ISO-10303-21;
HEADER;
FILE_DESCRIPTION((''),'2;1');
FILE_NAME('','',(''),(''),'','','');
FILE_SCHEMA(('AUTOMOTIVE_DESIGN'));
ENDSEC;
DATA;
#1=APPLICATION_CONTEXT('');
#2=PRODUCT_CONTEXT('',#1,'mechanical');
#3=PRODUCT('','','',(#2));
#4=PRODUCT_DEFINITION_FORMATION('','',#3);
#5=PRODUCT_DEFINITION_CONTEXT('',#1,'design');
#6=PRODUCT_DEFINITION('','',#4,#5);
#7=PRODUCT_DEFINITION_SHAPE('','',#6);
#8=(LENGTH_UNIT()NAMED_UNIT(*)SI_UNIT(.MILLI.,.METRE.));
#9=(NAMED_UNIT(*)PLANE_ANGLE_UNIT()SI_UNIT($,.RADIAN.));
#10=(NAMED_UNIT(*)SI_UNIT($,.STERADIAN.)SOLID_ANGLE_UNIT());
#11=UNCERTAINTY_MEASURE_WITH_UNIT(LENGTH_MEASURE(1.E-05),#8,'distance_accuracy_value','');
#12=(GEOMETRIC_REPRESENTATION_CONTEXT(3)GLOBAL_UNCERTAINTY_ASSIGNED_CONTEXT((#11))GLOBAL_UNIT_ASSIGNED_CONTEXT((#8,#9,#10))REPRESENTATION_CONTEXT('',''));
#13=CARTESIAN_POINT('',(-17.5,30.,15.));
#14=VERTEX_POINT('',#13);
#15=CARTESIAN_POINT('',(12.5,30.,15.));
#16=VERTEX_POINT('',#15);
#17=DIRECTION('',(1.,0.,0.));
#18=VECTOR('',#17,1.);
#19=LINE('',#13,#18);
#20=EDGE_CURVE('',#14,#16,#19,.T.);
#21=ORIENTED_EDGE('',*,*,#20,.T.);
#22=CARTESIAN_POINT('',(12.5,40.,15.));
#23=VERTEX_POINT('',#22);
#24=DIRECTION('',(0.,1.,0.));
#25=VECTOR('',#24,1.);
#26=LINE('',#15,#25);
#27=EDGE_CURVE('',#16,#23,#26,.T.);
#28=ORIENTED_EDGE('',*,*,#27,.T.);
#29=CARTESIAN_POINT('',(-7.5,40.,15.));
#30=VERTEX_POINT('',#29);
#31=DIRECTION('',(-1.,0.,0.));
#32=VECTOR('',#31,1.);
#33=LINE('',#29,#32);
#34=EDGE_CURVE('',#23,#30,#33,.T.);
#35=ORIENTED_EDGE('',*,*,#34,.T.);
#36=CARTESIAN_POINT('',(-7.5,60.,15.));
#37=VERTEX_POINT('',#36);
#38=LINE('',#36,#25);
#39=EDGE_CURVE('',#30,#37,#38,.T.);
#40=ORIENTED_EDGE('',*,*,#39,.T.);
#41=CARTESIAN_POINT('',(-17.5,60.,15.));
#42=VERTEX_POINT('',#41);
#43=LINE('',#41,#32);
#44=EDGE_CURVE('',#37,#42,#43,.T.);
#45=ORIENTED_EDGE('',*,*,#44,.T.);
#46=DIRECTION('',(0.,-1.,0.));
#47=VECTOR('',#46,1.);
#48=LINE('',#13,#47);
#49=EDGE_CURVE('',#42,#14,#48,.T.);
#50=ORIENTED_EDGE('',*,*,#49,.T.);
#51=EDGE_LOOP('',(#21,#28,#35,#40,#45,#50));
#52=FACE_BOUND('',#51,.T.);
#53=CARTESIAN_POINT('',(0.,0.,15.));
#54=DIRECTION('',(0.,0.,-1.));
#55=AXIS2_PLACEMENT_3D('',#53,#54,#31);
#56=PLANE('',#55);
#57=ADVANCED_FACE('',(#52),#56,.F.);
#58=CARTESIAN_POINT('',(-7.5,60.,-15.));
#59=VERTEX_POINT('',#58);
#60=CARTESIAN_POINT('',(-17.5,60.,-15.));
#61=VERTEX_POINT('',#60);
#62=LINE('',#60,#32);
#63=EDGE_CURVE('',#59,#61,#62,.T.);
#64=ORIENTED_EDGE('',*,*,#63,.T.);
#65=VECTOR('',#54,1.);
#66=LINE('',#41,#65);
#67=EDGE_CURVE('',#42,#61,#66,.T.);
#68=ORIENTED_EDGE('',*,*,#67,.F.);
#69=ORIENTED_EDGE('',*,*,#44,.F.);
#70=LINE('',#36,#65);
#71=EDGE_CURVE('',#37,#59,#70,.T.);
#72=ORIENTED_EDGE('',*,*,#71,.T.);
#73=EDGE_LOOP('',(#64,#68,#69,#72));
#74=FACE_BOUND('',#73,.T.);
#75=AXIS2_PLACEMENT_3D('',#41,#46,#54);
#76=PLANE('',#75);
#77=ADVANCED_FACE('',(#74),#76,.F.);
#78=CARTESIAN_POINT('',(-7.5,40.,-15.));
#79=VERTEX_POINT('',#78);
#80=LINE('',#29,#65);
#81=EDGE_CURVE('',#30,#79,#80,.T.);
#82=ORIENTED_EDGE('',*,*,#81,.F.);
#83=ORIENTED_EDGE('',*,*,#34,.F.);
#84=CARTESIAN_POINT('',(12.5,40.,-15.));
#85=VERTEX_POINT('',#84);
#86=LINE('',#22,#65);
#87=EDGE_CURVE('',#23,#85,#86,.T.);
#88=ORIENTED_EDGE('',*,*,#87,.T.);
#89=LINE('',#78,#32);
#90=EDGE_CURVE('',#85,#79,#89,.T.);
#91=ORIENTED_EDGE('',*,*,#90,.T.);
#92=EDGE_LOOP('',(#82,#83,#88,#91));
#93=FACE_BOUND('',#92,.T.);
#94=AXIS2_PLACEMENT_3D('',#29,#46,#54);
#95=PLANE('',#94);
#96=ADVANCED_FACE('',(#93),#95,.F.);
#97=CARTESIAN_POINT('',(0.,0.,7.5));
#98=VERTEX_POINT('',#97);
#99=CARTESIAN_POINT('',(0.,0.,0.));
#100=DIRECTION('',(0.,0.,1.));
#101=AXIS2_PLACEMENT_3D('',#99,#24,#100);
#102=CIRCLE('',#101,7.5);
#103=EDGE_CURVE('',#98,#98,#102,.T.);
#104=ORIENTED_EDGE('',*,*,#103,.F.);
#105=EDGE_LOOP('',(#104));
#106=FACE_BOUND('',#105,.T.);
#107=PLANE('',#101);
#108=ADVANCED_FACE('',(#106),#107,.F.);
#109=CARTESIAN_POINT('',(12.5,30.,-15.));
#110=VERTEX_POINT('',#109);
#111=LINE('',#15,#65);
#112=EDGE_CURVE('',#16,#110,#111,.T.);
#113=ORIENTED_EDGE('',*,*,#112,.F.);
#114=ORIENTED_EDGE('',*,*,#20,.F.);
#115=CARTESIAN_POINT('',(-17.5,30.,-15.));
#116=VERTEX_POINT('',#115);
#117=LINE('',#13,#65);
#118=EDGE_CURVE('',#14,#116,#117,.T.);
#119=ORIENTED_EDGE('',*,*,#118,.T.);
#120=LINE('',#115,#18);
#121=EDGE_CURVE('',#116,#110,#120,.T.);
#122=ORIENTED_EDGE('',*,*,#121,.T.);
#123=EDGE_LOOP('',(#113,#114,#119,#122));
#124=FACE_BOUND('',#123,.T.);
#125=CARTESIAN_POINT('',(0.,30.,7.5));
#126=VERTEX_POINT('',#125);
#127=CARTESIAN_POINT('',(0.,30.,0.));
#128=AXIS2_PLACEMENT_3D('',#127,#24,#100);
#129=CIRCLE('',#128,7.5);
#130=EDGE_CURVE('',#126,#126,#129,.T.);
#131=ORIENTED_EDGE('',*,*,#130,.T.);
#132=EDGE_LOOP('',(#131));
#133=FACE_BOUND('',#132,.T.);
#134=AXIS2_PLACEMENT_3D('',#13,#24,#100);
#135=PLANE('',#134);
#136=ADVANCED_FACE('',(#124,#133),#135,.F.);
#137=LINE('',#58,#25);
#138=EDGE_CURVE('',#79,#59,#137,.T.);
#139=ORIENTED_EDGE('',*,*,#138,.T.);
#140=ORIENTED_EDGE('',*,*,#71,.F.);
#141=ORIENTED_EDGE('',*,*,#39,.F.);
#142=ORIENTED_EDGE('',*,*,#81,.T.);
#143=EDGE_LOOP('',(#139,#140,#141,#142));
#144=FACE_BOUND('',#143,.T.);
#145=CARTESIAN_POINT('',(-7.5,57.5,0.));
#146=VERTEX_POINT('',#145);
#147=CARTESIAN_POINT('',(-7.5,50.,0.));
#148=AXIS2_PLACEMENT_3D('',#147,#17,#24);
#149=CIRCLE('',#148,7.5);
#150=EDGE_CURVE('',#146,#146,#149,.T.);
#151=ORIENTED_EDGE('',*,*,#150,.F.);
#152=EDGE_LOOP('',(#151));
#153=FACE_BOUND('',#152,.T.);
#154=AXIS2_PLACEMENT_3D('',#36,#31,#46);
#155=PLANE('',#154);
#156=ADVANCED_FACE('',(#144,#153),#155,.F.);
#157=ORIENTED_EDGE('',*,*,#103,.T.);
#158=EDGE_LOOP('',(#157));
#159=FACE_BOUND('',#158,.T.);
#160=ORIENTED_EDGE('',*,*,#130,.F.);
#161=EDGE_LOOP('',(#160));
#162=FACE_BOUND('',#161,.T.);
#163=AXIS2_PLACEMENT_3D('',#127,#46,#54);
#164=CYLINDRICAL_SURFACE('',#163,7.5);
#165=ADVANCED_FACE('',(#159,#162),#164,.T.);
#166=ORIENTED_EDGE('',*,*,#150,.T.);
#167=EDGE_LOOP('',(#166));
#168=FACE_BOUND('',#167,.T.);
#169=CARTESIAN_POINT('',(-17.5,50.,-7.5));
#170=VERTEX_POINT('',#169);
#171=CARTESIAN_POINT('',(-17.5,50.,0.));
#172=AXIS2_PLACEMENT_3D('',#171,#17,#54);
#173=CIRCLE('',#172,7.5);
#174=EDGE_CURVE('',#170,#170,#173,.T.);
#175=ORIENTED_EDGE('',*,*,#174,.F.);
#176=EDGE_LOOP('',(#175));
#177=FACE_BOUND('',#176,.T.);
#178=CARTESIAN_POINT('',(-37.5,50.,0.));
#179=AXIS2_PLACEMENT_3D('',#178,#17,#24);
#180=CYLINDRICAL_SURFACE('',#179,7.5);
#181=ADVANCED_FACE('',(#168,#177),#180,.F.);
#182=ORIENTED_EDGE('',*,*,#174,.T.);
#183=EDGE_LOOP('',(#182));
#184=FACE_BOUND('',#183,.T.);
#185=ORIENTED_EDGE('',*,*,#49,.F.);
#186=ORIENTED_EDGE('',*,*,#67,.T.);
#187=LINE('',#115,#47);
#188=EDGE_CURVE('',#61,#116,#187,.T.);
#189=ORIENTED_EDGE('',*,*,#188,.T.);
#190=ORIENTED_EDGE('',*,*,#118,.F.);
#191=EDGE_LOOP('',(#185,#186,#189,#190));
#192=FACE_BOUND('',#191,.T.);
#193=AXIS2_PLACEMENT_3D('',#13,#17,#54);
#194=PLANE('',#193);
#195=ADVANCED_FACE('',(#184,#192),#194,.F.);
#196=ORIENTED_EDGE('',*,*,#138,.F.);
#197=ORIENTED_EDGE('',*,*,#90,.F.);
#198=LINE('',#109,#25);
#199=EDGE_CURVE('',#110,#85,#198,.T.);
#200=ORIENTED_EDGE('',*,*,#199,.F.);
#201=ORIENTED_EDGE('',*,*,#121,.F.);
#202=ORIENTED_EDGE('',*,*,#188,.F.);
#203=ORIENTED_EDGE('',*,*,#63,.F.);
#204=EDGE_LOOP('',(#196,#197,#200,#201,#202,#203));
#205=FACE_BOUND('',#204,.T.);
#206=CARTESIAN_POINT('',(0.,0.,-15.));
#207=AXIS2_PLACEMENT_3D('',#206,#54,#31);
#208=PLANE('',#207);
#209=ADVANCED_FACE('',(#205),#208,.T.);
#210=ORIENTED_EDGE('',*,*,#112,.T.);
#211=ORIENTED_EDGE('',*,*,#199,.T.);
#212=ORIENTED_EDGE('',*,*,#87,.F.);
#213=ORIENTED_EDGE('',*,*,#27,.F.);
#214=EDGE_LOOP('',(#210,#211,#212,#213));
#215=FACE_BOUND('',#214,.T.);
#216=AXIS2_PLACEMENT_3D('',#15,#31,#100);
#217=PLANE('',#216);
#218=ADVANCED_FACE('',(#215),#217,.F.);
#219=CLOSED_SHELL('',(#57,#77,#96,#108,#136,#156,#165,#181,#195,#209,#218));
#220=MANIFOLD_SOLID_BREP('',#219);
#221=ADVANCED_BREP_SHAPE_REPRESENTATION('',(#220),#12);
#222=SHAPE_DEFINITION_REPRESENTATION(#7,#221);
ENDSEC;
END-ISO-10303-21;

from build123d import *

# Parameters (mm, degrees)
SKETCH2_R           = 7.5
ROTAITING_PIN_DEPTH = 30
BODY_DEPTH          = 15
SKETCH4_R           = 7.5
HOLE_DEPTH          = 30


with BuildPart() as part:
    # Sketch2 → rotaiting pin (new body)
    with BuildSketch(Plane(origin=(0, 0, 0), x_dir=(1, 0, 0), z_dir=(0, 1, 0))):
        with Locations(Location((0, 0, 0), (0, 0, 270))):
            Circle(SKETCH2_R)
    extrude(amount=ROTAITING_PIN_DEPTH)

    # Sketch3 → body (add, symmetric)
    with BuildSketch(Plane.XY):
        Polygon((-17.5, 60), (-7.5, 60), (-7.5, 40), (12.5, 40), (12.5, 30), (-17.5, 30), align=None)
    extrude(amount=BODY_DEPTH, both=True)

    # Sketch4 → hole (cut)
    with BuildSketch(Plane(origin=(-7.5, 0, 0), x_dir=(0, 0, -1), z_dir=(1, 0, 0))):
        with Locations(Location((0, 50, 0), (0, 0, 90))):
            Circle(SKETCH4_R)
    extrude(amount=-HOLE_DEPTH, mode=Mode.SUBTRACT)


solid = part.part
